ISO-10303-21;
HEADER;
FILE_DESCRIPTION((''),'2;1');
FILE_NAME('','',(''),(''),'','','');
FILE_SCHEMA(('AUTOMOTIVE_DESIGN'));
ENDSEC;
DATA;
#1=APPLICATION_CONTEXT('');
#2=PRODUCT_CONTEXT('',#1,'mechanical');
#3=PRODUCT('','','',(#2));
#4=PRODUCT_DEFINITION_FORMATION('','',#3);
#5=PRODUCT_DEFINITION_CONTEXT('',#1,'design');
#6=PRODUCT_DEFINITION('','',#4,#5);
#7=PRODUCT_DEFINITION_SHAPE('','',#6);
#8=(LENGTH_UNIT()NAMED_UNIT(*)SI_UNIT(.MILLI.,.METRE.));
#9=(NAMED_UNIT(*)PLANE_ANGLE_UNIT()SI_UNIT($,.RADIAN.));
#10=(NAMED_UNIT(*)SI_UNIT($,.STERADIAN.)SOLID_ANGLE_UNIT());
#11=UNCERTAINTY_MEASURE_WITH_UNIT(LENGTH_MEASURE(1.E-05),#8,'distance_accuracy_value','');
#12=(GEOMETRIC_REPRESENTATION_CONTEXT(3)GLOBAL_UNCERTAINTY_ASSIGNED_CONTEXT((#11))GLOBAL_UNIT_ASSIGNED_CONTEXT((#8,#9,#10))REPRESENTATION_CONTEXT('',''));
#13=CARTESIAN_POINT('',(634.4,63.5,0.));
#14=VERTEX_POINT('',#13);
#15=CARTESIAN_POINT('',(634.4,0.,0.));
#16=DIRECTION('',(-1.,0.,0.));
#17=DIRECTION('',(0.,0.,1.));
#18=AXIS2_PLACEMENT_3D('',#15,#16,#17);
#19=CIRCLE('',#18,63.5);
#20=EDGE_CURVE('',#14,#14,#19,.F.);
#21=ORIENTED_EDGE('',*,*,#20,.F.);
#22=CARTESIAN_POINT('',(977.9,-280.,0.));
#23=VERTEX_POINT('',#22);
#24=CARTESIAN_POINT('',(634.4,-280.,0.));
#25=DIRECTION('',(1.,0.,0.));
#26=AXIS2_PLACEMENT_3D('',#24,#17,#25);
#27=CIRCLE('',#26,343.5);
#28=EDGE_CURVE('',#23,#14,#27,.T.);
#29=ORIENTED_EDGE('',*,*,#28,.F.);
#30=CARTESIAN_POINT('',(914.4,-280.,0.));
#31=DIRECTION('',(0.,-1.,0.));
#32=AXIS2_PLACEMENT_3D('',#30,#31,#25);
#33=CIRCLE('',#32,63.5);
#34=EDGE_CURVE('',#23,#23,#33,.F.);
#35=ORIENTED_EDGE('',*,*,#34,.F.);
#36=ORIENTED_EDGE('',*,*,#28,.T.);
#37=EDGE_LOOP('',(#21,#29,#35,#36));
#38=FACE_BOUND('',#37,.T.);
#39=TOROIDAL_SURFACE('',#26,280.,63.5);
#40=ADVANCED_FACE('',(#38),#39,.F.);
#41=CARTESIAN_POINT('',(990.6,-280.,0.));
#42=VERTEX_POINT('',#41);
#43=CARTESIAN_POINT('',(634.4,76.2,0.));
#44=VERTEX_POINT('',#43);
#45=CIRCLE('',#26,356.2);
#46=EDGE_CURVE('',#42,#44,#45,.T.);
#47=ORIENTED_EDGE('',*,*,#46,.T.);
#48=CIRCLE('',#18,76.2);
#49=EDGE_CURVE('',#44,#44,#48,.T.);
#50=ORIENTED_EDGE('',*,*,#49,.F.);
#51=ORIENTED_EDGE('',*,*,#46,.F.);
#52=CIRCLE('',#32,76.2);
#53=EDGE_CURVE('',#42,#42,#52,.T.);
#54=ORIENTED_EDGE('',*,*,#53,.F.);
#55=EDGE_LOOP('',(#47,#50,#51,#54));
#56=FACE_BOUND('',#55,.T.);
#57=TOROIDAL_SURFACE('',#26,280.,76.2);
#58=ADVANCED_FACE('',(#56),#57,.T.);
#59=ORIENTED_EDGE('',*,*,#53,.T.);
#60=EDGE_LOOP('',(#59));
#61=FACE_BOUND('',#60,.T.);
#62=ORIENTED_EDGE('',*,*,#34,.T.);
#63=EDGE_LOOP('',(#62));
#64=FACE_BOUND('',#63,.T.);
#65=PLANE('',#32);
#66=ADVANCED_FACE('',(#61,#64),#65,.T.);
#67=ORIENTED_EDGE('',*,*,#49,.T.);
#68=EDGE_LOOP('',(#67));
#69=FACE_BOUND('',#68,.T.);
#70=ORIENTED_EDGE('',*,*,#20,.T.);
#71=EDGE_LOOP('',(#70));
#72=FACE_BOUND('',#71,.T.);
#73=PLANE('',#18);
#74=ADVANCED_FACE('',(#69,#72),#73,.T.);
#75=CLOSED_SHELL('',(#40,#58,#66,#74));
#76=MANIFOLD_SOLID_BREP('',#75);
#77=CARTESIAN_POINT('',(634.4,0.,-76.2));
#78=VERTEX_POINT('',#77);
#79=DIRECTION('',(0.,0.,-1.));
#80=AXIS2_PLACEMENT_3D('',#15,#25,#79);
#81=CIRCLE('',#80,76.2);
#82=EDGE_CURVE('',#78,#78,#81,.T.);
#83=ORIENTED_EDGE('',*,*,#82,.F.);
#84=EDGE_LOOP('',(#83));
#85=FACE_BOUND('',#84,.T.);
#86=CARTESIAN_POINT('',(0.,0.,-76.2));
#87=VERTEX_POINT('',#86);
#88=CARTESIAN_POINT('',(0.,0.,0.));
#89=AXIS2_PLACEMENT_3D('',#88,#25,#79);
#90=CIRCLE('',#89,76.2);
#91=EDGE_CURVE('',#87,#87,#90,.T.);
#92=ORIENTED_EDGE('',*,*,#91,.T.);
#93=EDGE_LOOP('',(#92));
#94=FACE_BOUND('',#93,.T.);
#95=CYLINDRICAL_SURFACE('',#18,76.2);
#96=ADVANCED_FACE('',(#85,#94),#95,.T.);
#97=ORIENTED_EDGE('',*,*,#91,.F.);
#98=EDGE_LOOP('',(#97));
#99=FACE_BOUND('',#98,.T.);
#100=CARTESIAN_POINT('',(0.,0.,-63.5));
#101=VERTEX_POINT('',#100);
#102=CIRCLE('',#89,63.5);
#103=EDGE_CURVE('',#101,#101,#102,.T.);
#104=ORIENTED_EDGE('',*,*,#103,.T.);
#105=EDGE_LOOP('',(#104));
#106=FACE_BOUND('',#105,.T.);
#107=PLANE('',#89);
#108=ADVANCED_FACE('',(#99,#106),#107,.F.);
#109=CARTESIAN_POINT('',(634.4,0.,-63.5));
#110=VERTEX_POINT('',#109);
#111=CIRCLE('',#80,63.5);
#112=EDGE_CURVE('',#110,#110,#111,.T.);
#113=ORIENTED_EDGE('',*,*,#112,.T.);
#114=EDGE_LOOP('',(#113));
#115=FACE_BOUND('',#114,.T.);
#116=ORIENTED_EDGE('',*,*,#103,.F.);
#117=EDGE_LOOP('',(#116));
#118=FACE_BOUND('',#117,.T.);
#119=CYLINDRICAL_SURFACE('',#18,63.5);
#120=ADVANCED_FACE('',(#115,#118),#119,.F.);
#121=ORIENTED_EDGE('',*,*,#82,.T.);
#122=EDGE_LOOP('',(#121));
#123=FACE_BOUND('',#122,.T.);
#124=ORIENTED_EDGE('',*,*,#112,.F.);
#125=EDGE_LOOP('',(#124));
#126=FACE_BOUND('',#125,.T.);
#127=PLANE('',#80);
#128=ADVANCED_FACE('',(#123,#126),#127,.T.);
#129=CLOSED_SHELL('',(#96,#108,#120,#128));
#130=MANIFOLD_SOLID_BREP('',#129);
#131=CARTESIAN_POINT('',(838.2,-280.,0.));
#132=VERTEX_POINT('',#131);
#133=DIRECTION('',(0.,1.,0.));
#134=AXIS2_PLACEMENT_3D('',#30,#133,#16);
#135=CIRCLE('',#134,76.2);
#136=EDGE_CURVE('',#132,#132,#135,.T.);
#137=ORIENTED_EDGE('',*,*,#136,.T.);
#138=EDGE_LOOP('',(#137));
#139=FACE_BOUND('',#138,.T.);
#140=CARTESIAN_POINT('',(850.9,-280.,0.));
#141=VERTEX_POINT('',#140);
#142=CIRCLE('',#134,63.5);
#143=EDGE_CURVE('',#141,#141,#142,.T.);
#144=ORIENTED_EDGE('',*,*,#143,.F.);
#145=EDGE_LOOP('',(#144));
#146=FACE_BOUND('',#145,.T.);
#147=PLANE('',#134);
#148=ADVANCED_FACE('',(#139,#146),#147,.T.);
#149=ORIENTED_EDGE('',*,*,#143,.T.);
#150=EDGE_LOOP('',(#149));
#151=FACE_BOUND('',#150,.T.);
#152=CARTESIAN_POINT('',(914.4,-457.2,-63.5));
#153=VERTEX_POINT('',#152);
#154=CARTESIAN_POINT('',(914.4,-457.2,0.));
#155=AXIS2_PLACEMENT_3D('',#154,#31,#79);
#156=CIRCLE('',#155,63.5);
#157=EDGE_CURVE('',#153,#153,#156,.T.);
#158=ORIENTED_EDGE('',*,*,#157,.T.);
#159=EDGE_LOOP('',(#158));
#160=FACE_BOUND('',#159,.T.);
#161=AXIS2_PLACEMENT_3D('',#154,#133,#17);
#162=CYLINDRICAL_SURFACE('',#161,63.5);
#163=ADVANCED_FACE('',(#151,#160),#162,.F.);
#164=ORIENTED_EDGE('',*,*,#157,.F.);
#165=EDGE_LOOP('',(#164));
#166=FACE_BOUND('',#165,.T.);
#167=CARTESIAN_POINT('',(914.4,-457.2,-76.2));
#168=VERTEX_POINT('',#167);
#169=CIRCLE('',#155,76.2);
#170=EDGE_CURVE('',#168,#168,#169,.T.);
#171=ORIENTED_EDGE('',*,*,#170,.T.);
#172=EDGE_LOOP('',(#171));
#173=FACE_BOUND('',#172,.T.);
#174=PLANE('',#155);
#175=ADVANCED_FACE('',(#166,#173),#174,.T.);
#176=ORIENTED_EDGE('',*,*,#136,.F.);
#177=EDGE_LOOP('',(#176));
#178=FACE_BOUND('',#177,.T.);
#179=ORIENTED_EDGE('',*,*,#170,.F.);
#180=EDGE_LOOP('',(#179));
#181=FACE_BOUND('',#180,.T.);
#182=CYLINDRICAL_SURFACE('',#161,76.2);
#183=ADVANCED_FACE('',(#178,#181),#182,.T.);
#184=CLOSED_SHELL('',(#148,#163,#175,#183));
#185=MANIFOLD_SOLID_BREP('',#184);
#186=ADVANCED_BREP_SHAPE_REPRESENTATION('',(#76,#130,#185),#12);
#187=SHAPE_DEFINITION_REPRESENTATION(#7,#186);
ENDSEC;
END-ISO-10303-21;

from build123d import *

# Parameters (mm, degrees)
SKETCH14_R                                     = 76.2
SKETCH14_R_2                                   = 63.5
AL_ROUND_TUBING_AL_RND_TUBE_6_OD_X_0_5_W_DEPTH = 634.4
SKETCH14_ON_SEGMENT_2_R                        = 76.2
SKETCH14_ON_SEGMENT_2_R_2                      = 63.5
AL_ROUND_TUBING_AL_RND_TUBE_6_OD_X_0_2_ANGLE   = 90
SKETCH14_ON_SEGMENT_3_R                        = 76.2
SKETCH14_ON_SEGMENT_3_R_2                      = 63.5
AL_ROUND_TUBING_AL_RND_TUBE_6_OD_X_0_3_DEPTH   = 177.2


with BuildPart() as part:
    # Sketch14 → Al round tubing AL RND TUBE 6 OD X 0.5 WALL(1) (new body)
    with BuildSketch(Plane.YZ):
        Circle(SKETCH14_R)
        Circle(SKETCH14_R_2, mode=Mode.SUBTRACT)
    extrude(amount=AL_ROUND_TUBING_AL_RND_TUBE_6_OD_X_0_5_W_DEPTH)


with BuildPart() as body_2:
    # Sketch14 on segment 2 (carried to the start of arc 2) → Al round tubing AL RND TUBE 6 OD X 0 2 (revolve)
    with BuildSketch(Plane(origin=(914.4, -280, 0), x_dir=(-1, 0, 0), z_dir=(0, 1, 0))):
        Circle(SKETCH14_ON_SEGMENT_2_R)
        Circle(SKETCH14_ON_SEGMENT_2_R_2, mode=Mode.SUBTRACT)
    revolve(axis=Axis((634.4, -280, 0), (0, 0, 1)), revolution_arc=AL_ROUND_TUBING_AL_RND_TUBE_6_OD_X_0_2_ANGLE)


with BuildPart() as body_3:
    # Sketch14 on segment 3 (carried to segment 3) → Al round tubing AL RND TUBE 6 OD X 0 3 (new body)
    with BuildSketch(Plane(origin=(914.4, -280, 0), x_dir=(1, 0, 0), z_dir=(0, -1, 0))):
        Circle(SKETCH14_ON_SEGMENT_3_R)
        Circle(SKETCH14_ON_SEGMENT_3_R_2, mode=Mode.SUBTRACT)
    extrude(amount=AL_ROUND_TUBING_AL_RND_TUBE_6_OD_X_0_3_DEPTH)


solid = Compound([part.part, body_2.part, body_3.part])
